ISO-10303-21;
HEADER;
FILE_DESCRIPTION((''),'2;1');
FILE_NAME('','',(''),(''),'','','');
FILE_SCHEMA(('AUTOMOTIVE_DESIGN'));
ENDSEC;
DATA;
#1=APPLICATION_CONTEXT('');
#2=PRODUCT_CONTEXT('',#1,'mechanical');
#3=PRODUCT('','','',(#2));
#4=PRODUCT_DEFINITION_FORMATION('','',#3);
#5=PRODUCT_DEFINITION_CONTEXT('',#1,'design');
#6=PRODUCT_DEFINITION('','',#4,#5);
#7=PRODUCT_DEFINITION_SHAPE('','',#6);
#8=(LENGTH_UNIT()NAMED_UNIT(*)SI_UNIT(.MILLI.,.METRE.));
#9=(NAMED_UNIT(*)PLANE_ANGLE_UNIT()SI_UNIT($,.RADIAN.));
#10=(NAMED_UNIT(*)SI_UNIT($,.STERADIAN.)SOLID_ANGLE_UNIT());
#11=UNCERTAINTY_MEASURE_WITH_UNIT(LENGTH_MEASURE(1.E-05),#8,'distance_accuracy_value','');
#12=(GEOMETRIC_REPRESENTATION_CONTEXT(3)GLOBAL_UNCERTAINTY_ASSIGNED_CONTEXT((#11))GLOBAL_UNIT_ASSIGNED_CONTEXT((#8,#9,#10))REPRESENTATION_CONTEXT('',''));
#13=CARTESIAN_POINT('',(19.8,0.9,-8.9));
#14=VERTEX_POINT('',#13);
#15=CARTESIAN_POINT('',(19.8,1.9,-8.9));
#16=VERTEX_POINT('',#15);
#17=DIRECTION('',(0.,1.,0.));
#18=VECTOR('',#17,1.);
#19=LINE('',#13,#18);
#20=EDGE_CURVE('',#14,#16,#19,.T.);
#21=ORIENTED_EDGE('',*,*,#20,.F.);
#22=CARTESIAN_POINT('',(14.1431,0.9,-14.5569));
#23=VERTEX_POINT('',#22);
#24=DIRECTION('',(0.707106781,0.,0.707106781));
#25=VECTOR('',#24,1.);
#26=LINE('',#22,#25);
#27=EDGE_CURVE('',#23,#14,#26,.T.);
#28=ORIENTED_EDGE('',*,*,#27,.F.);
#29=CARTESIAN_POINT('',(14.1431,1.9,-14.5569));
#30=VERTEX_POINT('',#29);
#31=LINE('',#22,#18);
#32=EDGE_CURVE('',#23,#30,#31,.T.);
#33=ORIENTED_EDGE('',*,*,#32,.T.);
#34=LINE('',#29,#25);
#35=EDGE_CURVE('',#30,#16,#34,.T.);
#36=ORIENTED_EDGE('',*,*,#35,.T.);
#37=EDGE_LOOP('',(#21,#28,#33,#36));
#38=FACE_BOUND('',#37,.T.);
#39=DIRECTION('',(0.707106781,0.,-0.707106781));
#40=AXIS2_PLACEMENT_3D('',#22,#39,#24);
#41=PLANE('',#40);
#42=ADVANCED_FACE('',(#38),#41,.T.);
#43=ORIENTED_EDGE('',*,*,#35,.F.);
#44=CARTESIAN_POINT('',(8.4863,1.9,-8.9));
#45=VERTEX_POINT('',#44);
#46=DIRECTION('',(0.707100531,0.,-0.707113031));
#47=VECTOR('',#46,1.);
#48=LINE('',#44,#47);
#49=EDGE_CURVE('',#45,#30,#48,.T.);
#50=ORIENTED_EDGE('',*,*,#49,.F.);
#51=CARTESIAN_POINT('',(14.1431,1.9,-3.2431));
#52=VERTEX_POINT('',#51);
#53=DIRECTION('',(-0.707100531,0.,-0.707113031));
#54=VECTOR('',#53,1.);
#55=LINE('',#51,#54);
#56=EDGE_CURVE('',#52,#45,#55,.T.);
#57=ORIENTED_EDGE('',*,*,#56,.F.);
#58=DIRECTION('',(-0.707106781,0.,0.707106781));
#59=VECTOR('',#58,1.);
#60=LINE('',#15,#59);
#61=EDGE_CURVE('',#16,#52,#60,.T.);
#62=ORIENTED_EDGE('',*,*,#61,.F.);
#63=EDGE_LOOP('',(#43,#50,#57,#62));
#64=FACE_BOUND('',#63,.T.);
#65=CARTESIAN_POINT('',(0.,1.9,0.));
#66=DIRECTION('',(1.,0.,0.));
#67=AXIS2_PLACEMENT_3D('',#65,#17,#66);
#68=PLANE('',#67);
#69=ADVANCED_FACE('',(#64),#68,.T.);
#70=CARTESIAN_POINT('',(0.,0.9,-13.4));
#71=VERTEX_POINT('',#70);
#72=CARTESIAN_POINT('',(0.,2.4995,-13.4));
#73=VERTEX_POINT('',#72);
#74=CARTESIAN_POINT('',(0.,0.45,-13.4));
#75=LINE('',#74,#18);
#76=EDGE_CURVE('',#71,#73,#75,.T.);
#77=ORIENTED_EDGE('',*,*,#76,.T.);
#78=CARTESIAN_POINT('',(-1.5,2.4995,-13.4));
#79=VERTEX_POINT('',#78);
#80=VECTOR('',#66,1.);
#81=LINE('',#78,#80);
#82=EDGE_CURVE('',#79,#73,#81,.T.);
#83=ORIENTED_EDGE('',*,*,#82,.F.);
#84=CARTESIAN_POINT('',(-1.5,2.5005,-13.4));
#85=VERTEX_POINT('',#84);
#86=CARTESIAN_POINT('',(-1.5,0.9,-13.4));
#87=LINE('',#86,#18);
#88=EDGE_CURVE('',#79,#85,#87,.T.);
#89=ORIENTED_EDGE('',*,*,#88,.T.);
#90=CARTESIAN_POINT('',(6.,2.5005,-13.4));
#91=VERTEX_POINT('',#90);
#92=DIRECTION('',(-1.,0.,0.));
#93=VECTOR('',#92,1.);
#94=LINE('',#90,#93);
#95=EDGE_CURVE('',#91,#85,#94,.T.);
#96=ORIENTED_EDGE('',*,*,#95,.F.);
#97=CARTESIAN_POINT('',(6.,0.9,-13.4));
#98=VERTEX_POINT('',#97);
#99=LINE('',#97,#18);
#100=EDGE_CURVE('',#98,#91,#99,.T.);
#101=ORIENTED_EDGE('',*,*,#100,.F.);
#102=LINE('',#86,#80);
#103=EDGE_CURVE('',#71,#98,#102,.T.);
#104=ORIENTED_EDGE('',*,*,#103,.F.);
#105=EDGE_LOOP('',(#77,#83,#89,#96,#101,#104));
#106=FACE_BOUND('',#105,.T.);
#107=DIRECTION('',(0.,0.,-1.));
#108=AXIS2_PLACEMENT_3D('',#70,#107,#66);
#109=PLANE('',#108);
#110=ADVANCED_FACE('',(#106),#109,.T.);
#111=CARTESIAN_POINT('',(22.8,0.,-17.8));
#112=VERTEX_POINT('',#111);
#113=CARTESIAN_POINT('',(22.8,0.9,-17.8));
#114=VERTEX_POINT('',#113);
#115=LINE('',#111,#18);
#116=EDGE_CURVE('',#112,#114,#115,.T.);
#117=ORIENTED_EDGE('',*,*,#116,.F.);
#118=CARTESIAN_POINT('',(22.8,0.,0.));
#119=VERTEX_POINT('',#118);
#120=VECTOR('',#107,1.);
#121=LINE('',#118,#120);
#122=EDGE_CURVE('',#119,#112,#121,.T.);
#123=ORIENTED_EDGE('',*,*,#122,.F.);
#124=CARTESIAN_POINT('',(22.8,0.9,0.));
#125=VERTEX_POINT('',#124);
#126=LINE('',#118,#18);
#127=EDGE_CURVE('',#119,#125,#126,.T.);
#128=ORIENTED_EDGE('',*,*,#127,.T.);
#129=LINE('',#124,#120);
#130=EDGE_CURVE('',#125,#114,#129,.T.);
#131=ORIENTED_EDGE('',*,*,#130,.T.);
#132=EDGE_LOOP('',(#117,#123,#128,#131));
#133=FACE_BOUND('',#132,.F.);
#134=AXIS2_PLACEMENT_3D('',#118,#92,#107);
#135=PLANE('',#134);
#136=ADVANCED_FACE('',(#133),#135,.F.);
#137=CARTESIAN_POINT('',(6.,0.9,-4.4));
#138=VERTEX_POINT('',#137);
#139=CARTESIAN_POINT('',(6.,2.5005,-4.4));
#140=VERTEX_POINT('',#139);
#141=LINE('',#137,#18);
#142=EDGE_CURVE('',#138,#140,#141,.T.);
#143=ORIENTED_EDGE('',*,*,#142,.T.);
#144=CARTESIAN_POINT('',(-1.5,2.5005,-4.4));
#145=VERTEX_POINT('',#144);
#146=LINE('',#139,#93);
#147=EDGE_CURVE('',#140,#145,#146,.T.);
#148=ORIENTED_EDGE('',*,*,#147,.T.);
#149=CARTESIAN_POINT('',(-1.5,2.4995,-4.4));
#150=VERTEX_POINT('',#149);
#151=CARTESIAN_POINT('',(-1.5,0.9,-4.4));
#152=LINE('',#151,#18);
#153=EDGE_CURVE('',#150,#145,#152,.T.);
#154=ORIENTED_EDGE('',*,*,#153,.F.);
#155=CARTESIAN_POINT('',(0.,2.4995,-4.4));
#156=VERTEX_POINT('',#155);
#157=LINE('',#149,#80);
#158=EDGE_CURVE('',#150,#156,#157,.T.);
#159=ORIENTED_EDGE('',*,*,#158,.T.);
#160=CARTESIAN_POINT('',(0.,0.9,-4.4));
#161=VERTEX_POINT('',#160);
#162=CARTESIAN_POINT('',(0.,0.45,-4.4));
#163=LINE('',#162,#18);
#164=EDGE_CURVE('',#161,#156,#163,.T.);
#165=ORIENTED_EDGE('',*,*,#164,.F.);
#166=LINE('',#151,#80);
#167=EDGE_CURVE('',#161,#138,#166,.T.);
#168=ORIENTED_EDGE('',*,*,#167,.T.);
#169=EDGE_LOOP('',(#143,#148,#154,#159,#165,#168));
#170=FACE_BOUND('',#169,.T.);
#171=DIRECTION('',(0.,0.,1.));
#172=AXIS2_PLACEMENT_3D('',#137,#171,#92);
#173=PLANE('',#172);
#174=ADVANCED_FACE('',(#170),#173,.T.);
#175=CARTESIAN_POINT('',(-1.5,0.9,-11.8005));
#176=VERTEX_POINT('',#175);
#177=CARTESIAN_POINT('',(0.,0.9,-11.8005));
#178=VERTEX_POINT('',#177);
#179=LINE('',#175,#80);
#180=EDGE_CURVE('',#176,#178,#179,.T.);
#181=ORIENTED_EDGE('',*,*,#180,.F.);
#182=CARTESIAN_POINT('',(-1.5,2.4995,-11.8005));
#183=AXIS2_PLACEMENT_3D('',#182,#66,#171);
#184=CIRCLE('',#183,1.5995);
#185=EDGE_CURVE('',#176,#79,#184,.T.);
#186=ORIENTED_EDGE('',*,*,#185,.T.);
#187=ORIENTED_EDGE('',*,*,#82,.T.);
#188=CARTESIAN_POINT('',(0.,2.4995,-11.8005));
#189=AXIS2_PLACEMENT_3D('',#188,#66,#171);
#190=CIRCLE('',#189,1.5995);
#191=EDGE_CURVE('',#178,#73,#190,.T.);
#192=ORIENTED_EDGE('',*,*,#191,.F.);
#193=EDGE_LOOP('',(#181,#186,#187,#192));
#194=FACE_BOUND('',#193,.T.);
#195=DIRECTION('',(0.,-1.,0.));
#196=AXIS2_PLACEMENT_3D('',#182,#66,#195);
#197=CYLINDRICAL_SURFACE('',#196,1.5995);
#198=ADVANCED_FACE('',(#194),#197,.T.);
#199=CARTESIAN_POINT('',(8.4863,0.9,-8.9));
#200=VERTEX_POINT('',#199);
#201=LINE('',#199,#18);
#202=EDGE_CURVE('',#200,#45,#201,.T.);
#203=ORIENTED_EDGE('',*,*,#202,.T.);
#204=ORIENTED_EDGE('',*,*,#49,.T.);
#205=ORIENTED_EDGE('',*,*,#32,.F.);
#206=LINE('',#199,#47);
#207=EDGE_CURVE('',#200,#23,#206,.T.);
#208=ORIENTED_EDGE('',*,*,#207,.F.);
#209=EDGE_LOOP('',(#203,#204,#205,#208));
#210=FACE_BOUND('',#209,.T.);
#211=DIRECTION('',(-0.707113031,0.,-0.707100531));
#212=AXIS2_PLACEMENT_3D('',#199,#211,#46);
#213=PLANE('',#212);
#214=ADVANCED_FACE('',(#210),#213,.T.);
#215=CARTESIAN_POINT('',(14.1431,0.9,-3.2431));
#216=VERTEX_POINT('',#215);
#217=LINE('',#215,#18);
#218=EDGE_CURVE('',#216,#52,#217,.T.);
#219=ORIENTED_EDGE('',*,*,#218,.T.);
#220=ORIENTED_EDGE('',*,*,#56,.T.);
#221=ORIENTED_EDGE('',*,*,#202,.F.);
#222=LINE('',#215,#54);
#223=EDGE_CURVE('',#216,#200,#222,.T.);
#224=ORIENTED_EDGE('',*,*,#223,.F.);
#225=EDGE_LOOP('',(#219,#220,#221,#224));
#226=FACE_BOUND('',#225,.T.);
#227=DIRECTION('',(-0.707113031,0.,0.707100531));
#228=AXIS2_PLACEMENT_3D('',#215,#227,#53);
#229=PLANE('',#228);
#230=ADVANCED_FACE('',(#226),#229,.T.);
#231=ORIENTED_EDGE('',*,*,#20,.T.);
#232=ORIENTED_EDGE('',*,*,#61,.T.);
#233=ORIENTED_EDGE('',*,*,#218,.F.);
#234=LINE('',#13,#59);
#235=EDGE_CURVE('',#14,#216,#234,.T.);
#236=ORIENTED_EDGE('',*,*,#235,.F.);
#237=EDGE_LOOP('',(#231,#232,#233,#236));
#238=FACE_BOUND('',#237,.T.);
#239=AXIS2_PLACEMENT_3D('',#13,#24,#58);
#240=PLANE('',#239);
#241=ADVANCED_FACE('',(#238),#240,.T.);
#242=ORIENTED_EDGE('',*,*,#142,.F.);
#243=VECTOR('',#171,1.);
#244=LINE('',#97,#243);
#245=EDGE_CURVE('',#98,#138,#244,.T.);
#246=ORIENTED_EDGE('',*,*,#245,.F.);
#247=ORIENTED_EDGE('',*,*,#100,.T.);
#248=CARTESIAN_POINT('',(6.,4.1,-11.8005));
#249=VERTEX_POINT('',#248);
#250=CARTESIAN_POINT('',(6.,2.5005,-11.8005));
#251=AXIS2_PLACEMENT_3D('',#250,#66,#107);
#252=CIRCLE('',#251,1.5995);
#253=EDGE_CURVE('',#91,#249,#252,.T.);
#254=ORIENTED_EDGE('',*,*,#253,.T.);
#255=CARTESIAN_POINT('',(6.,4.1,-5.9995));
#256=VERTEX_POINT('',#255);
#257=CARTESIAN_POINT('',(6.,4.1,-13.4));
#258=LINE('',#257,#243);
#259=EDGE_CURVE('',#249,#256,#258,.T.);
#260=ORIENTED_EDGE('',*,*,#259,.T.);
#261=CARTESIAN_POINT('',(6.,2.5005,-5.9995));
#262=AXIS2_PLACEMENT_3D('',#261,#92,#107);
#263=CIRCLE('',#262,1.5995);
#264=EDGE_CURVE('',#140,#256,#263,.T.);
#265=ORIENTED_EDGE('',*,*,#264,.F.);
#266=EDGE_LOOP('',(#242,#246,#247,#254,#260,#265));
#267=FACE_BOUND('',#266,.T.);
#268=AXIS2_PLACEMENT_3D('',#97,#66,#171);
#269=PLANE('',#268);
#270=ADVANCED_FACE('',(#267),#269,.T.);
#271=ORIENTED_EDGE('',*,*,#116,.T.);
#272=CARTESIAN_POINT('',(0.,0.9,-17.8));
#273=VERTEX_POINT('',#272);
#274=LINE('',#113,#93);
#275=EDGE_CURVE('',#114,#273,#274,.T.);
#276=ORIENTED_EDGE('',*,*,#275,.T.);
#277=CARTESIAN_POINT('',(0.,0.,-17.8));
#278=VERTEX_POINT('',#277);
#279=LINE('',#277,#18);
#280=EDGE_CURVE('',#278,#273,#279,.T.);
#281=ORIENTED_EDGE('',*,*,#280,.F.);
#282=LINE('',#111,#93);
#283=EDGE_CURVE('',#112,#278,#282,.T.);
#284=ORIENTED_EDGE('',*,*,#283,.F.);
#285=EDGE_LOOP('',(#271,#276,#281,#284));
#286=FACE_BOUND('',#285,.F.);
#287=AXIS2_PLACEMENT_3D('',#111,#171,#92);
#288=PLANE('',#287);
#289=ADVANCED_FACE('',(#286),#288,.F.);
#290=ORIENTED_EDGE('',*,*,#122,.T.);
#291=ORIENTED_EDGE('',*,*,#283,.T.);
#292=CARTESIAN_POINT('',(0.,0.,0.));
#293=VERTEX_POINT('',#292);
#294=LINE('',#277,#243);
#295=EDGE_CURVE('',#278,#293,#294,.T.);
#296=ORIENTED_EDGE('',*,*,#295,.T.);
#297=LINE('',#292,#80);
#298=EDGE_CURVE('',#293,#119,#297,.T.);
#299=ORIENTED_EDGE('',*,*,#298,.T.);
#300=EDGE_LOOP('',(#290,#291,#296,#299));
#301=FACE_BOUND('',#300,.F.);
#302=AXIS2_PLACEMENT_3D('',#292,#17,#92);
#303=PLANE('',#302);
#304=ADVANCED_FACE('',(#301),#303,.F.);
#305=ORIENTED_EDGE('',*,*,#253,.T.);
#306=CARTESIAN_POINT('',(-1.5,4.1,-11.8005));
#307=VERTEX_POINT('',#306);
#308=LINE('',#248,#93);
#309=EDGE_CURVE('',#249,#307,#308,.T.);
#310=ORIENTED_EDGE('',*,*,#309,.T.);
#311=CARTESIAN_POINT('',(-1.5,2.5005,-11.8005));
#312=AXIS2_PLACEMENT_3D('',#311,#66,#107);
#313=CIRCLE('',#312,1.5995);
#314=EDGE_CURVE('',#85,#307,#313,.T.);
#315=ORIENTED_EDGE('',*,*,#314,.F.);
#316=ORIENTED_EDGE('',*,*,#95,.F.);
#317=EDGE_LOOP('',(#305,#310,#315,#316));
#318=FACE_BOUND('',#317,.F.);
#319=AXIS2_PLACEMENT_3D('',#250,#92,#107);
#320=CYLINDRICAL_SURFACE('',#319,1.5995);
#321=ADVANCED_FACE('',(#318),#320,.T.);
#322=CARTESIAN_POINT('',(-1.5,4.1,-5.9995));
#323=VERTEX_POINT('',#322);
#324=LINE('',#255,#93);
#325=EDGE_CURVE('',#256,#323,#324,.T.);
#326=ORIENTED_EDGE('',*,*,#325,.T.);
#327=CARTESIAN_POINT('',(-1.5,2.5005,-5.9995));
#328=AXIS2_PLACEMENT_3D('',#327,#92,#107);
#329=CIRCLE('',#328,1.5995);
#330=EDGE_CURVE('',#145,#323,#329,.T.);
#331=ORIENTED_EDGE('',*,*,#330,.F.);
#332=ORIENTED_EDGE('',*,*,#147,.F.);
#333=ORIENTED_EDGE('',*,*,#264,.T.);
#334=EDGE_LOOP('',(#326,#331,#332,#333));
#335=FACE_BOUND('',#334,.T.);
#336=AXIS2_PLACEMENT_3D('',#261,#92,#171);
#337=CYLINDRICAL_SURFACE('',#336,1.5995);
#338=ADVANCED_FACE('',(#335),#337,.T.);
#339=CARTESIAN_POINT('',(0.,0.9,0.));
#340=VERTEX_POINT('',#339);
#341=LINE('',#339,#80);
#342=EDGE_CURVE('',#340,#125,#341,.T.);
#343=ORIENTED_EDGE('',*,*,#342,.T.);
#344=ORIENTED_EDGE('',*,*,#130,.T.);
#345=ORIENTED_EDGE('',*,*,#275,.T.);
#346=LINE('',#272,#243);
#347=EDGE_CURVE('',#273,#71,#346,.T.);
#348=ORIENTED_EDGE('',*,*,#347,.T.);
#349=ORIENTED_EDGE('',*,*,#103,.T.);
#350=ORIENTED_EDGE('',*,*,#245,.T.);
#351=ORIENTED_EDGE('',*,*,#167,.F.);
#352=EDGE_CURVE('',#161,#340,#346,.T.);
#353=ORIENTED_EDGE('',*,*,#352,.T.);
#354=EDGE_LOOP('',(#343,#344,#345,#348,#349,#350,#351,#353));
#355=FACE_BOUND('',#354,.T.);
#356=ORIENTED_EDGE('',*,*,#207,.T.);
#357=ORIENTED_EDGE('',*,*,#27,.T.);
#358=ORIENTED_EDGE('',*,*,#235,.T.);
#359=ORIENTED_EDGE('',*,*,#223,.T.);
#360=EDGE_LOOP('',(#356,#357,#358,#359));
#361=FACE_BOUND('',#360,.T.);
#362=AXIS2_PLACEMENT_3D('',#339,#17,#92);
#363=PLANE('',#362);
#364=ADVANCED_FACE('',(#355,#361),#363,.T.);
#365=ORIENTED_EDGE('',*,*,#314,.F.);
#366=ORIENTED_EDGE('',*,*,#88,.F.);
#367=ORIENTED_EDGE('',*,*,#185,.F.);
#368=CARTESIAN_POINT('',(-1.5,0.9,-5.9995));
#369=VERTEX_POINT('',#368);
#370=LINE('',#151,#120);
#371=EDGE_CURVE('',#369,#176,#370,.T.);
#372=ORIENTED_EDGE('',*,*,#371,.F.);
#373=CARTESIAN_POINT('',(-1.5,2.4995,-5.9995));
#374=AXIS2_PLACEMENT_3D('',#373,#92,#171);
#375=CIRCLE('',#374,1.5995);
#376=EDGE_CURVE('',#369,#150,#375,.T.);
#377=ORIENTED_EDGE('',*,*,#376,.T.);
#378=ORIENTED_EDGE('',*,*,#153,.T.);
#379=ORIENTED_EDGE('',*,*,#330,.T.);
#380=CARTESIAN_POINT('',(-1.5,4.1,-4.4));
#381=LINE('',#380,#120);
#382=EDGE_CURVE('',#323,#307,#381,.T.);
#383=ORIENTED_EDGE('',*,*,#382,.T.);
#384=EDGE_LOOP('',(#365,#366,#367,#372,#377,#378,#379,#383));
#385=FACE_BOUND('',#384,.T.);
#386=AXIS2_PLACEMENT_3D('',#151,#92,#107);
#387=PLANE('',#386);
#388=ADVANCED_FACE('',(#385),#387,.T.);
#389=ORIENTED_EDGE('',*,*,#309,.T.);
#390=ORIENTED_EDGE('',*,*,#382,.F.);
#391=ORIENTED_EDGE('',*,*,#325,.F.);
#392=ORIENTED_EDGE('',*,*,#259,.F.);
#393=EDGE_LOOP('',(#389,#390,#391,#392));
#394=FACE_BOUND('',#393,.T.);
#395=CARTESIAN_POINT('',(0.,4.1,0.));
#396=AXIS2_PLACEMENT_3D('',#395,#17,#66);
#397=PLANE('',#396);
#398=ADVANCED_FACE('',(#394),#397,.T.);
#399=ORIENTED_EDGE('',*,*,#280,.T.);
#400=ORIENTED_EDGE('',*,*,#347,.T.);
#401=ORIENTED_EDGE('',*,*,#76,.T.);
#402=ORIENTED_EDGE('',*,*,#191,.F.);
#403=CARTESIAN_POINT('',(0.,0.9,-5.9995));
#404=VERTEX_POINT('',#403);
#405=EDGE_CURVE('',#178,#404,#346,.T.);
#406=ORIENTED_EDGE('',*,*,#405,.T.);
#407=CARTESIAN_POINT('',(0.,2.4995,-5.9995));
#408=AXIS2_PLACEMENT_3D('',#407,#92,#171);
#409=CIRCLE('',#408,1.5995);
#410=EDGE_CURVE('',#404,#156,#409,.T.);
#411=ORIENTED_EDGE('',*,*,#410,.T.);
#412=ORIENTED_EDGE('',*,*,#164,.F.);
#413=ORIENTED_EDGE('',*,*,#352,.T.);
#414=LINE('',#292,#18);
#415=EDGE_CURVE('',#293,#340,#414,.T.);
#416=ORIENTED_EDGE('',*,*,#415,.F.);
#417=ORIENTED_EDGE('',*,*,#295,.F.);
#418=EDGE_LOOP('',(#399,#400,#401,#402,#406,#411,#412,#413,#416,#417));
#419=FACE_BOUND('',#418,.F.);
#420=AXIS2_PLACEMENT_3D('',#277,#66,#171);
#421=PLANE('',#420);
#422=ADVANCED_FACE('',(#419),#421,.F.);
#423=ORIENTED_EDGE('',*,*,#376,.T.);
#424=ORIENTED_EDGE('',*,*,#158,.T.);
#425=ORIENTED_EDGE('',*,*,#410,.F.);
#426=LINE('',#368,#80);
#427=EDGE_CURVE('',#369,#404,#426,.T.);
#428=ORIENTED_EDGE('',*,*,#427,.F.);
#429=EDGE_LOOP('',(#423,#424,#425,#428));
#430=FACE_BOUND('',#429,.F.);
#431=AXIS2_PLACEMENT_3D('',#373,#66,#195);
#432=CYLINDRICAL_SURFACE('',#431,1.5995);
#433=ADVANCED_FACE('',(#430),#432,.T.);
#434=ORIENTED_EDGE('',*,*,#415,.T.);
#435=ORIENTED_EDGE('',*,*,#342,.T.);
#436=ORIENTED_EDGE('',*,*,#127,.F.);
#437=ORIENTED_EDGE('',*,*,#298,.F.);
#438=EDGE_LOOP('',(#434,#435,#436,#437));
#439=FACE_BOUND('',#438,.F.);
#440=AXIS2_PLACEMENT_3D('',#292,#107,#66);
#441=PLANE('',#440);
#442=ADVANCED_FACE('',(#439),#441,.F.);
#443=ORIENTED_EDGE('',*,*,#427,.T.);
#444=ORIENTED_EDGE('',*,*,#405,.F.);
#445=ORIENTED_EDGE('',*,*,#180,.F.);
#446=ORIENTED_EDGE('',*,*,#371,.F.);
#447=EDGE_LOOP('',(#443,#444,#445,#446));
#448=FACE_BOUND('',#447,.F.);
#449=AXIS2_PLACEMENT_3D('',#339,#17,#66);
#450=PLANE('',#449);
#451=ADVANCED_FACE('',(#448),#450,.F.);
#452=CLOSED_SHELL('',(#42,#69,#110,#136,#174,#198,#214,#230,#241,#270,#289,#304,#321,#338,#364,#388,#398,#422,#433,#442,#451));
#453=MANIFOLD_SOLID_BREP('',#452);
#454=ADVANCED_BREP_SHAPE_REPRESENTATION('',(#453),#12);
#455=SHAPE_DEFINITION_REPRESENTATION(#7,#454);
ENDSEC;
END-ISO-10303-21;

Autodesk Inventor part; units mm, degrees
ref_plane "YZ Plane" through (0, 0, 0) normal (1, 0, 0) x (0, 1, 0)
ref_plane "XZ Plane" through (0, 0, 0) normal (0, 1, 0) x (-1, 0, 0)
ref_plane "XY Plane" through (0, 0, 0) normal (0, 0, 1) x (1, 0, 0)
sketch "Sketch1" plane through (0, 0, 0) normal (0, 1, 0) x (-1, 0, 0)
  line L0 (0, 0) -> (-22.8, 0)
  line L1 (-22.8, 0) -> (-22.8, -17.8)
  line L2 (-22.8, -17.8) -> (0, -17.8)
  line L3 (0, -17.8) -> (0, 0)
  dimension "d0" = 22.8
  dimension "d1" = 17.8
extrude "Extrusion1" add sketch "Sketch1" along normal blind 0.9
sketch "Sketch2" plane through (0, 0.9, 0) normal (0, 1, 0) x (1, 0, 0)
  line L0 (14.1431, 3.2431) -> (8.4863, 8.9)
  line L1 (8.4863, 8.9) -> (14.1431, 14.5569)
  line L2 (14.1431, 14.5569) -> (19.8, 8.9)
  line L3 (19.8, 8.9) -> (14.1431, 3.2431)
  line L4 (22.8, 0) -> (22.8, 17.8) projected
  point P0 (0, 0)
  point P1 (22.8, 8.9)
  dimension "d4" = 135
  dimension "d5" = 8
  dimension "d6" = 3
extrude "Extrusion2" add sketch "Sketch2" along normal blind 1
sketch "Sketch3" plane through (0, 0.9, 0) normal (0, 1, 0) x (1, 0, 0)
  line L0 (6, 4.4) -> (-1.5, 4.4)
  line L1 (-1.5, 4.4) -> (-1.5, 13.4)
  line L2 (-1.5, 13.4) -> (6, 13.4)
  line L3 (6, 13.4) -> (6, 4.4)
  line L4 (0, 17.8) -> (0, 0) projected
  point P0 (-1.5, 8.9)
  point P1 (0, 8.9)
  dimension "d9" = 7.5
  dimension "d10" = 1.5
  dimension "d11" = 9
extrude "Extrusion3" add sketch "Sketch3" along normal blind 3.2
fillet "Fillet1" radius 1.6 4 edges at (2.25, 4.1, -4.4) (2.25, 4.1, -13.4) (-0.75, 0.9, -4.4) (-0.75, 0.9, -13.4)
properties part number "rp2040"
